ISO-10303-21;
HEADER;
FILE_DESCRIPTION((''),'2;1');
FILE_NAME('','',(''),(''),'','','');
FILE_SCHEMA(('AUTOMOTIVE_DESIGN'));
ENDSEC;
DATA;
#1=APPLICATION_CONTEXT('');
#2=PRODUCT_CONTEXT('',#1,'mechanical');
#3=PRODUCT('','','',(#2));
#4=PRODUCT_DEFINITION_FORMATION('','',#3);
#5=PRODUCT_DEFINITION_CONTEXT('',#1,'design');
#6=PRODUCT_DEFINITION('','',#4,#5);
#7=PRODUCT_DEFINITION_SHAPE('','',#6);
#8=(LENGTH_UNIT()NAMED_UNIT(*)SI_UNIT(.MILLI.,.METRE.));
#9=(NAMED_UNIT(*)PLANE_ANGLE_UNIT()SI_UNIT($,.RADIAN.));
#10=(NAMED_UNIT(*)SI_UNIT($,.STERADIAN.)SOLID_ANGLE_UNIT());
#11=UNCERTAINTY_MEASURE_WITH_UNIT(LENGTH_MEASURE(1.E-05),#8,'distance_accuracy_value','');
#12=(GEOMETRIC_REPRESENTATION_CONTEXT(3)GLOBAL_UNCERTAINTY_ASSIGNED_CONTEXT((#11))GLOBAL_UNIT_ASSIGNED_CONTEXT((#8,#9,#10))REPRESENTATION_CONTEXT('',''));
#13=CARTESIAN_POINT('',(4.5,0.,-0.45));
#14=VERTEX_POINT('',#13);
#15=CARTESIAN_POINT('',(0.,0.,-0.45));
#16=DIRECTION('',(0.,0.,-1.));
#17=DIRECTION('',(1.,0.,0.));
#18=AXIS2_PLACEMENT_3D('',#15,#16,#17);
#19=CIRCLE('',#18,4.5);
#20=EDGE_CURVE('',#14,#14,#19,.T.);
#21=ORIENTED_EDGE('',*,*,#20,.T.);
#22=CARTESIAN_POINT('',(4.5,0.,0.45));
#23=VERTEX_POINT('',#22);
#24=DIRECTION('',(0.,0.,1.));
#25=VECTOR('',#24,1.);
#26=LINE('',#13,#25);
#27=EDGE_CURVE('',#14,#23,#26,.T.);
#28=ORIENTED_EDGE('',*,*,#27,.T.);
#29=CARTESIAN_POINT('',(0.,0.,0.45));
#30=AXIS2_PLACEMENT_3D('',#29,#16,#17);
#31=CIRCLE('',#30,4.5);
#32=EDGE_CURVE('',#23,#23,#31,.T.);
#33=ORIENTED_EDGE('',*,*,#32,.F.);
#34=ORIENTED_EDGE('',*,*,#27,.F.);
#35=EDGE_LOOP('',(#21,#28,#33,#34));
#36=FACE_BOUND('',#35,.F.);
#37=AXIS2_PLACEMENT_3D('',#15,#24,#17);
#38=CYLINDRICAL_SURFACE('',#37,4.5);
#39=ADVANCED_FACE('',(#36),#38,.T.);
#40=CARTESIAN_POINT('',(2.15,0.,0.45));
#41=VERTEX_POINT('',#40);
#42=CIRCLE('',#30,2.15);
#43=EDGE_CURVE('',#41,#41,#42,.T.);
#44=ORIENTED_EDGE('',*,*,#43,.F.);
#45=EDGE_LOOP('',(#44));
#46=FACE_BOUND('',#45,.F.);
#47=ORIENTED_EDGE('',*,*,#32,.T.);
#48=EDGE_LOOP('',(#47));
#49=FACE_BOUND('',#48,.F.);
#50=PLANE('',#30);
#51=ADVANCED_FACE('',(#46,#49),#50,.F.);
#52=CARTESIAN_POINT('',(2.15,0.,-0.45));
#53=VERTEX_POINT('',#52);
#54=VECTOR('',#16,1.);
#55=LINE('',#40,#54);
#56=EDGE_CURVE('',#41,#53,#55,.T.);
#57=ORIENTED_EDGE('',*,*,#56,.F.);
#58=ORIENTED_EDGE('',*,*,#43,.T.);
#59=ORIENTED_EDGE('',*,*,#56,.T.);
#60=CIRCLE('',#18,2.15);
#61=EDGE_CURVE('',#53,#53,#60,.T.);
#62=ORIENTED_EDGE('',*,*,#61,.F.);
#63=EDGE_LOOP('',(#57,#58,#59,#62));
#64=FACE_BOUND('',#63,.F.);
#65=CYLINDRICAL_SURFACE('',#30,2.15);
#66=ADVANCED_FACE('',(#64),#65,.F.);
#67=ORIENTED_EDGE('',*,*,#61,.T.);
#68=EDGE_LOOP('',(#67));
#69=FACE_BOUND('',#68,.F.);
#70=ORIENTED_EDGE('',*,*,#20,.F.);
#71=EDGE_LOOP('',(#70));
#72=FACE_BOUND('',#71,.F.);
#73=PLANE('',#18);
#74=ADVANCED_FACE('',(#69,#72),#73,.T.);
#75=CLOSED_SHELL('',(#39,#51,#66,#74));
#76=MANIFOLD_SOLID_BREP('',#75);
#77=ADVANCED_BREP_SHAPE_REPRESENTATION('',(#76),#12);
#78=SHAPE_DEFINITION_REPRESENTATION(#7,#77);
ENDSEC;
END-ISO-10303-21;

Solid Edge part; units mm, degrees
sketch "Sketch1" plane through (0, 0, 0) normal (0, -1, 0) x (1, 0, 0)
  line L0 (2.15, -0.45) -> (4.5, -0.45)
  line L1 (4.5, -0.45) -> (4.5, 0.45)
  line L2 (4.5, 0.45) -> (2.15, 0.45)
  line L3 (2.15, 0.45) -> (2.15, -0.45)
  dimension "D1" = 0.9
revolve "RevolvedProtrusion1" add sketch "Sketch1" angle 360 about axis through (0, 0, 54) along (0, 0, -1)
properties part number "STD-DIN_125_A-M4" material "Galvanized steel"
